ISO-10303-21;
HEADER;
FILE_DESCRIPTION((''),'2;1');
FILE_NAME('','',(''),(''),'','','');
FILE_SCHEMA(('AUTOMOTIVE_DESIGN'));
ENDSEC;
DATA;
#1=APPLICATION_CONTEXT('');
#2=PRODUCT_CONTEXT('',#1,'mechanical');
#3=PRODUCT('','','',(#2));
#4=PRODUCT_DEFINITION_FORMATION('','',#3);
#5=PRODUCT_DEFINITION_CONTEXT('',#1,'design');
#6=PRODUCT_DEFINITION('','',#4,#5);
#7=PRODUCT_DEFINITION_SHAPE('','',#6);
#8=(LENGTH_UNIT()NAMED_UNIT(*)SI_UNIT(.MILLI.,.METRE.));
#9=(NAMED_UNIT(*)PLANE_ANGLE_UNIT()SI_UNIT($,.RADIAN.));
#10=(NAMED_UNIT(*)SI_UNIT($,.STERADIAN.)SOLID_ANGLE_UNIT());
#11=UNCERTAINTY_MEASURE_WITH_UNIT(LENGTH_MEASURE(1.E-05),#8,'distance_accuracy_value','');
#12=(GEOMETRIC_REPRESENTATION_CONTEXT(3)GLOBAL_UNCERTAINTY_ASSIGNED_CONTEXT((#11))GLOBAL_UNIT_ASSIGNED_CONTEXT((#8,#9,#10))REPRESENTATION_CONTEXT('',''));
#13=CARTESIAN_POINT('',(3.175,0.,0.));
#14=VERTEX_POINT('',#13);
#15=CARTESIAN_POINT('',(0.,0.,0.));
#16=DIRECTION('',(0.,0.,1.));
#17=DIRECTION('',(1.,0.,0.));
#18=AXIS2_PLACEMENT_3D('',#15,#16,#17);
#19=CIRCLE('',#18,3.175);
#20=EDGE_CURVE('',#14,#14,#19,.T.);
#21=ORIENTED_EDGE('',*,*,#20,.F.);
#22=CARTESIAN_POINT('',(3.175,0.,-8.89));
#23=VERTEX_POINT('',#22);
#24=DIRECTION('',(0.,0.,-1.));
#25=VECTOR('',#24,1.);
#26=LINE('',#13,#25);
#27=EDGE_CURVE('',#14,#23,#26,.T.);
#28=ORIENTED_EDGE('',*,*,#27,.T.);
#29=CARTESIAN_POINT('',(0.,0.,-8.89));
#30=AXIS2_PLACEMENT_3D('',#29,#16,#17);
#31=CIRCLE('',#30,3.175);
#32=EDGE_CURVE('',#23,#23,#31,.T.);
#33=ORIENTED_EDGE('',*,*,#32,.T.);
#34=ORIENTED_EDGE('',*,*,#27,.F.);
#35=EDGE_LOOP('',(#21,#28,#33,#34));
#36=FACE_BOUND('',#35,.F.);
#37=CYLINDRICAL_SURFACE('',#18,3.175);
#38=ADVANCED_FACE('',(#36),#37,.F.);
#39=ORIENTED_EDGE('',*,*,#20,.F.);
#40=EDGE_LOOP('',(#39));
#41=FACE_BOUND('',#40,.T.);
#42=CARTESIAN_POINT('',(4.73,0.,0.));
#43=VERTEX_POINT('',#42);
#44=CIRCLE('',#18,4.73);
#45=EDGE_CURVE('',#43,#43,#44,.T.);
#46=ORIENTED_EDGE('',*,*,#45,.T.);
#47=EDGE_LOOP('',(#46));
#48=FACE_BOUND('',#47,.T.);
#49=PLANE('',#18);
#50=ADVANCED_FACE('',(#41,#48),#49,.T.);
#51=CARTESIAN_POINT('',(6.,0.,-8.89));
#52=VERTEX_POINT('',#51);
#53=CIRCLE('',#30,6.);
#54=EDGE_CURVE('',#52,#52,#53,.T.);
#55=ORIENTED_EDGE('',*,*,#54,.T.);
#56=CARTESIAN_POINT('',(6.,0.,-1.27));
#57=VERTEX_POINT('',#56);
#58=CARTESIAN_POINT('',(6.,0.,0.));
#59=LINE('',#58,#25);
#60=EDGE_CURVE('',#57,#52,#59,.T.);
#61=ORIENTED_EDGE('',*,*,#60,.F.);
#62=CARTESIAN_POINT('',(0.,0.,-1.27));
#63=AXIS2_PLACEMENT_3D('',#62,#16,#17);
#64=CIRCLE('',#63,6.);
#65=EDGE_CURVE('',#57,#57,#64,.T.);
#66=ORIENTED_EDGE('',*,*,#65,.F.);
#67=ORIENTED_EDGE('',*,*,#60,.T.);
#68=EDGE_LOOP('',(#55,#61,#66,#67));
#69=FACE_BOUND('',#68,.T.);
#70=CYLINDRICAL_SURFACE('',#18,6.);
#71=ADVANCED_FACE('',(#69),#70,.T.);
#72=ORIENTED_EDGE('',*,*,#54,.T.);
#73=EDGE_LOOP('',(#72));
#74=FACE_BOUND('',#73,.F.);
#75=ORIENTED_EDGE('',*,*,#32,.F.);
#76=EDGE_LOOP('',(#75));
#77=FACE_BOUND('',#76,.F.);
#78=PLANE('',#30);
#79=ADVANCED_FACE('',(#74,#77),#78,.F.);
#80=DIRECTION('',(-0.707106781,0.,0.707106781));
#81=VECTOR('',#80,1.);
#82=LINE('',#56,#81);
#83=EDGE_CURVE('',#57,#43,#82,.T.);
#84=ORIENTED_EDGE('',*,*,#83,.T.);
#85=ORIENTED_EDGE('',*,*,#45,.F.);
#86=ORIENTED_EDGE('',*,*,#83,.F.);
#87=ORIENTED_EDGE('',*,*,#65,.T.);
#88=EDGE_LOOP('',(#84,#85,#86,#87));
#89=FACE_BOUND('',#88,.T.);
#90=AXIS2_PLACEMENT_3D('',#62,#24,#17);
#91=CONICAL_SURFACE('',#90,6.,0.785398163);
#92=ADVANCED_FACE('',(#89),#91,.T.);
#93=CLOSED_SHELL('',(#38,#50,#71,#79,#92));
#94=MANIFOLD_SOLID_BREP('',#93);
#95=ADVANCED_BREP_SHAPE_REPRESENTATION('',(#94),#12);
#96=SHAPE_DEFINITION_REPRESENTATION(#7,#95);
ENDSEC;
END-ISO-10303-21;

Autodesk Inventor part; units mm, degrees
ref_plane "YZ Plane" through (0, 0, 0) normal (1, 0, 0) x (0, 1, 0)
ref_plane "XZ Plane" through (0, 0, 0) normal (0, 1, 0) x (-1, 0, 0)
sketch "Sketch1" plane through (0, 0, 0) normal (0, 0, 1) x (1, 0, 0)
  circle A0 centre (0, 0) radius 6
  circle A1 centre (0, 0) radius 3.175
  dimension "d4" = 6.35
  dimension "d5" = 12
extrude "Extrusion2" add sketch "Sketch1" against normal blind 8.89
chamfer "Chamfer1" distance 1.27 angle 45 1 edges at (-6, 0, 0)
ref_plane "Work Plane1" through (0, 0, -2.54) normal (0, 0, 1) x (1, 0, 0)
properties part number "Roller" material "Non-Alloy Steel"
